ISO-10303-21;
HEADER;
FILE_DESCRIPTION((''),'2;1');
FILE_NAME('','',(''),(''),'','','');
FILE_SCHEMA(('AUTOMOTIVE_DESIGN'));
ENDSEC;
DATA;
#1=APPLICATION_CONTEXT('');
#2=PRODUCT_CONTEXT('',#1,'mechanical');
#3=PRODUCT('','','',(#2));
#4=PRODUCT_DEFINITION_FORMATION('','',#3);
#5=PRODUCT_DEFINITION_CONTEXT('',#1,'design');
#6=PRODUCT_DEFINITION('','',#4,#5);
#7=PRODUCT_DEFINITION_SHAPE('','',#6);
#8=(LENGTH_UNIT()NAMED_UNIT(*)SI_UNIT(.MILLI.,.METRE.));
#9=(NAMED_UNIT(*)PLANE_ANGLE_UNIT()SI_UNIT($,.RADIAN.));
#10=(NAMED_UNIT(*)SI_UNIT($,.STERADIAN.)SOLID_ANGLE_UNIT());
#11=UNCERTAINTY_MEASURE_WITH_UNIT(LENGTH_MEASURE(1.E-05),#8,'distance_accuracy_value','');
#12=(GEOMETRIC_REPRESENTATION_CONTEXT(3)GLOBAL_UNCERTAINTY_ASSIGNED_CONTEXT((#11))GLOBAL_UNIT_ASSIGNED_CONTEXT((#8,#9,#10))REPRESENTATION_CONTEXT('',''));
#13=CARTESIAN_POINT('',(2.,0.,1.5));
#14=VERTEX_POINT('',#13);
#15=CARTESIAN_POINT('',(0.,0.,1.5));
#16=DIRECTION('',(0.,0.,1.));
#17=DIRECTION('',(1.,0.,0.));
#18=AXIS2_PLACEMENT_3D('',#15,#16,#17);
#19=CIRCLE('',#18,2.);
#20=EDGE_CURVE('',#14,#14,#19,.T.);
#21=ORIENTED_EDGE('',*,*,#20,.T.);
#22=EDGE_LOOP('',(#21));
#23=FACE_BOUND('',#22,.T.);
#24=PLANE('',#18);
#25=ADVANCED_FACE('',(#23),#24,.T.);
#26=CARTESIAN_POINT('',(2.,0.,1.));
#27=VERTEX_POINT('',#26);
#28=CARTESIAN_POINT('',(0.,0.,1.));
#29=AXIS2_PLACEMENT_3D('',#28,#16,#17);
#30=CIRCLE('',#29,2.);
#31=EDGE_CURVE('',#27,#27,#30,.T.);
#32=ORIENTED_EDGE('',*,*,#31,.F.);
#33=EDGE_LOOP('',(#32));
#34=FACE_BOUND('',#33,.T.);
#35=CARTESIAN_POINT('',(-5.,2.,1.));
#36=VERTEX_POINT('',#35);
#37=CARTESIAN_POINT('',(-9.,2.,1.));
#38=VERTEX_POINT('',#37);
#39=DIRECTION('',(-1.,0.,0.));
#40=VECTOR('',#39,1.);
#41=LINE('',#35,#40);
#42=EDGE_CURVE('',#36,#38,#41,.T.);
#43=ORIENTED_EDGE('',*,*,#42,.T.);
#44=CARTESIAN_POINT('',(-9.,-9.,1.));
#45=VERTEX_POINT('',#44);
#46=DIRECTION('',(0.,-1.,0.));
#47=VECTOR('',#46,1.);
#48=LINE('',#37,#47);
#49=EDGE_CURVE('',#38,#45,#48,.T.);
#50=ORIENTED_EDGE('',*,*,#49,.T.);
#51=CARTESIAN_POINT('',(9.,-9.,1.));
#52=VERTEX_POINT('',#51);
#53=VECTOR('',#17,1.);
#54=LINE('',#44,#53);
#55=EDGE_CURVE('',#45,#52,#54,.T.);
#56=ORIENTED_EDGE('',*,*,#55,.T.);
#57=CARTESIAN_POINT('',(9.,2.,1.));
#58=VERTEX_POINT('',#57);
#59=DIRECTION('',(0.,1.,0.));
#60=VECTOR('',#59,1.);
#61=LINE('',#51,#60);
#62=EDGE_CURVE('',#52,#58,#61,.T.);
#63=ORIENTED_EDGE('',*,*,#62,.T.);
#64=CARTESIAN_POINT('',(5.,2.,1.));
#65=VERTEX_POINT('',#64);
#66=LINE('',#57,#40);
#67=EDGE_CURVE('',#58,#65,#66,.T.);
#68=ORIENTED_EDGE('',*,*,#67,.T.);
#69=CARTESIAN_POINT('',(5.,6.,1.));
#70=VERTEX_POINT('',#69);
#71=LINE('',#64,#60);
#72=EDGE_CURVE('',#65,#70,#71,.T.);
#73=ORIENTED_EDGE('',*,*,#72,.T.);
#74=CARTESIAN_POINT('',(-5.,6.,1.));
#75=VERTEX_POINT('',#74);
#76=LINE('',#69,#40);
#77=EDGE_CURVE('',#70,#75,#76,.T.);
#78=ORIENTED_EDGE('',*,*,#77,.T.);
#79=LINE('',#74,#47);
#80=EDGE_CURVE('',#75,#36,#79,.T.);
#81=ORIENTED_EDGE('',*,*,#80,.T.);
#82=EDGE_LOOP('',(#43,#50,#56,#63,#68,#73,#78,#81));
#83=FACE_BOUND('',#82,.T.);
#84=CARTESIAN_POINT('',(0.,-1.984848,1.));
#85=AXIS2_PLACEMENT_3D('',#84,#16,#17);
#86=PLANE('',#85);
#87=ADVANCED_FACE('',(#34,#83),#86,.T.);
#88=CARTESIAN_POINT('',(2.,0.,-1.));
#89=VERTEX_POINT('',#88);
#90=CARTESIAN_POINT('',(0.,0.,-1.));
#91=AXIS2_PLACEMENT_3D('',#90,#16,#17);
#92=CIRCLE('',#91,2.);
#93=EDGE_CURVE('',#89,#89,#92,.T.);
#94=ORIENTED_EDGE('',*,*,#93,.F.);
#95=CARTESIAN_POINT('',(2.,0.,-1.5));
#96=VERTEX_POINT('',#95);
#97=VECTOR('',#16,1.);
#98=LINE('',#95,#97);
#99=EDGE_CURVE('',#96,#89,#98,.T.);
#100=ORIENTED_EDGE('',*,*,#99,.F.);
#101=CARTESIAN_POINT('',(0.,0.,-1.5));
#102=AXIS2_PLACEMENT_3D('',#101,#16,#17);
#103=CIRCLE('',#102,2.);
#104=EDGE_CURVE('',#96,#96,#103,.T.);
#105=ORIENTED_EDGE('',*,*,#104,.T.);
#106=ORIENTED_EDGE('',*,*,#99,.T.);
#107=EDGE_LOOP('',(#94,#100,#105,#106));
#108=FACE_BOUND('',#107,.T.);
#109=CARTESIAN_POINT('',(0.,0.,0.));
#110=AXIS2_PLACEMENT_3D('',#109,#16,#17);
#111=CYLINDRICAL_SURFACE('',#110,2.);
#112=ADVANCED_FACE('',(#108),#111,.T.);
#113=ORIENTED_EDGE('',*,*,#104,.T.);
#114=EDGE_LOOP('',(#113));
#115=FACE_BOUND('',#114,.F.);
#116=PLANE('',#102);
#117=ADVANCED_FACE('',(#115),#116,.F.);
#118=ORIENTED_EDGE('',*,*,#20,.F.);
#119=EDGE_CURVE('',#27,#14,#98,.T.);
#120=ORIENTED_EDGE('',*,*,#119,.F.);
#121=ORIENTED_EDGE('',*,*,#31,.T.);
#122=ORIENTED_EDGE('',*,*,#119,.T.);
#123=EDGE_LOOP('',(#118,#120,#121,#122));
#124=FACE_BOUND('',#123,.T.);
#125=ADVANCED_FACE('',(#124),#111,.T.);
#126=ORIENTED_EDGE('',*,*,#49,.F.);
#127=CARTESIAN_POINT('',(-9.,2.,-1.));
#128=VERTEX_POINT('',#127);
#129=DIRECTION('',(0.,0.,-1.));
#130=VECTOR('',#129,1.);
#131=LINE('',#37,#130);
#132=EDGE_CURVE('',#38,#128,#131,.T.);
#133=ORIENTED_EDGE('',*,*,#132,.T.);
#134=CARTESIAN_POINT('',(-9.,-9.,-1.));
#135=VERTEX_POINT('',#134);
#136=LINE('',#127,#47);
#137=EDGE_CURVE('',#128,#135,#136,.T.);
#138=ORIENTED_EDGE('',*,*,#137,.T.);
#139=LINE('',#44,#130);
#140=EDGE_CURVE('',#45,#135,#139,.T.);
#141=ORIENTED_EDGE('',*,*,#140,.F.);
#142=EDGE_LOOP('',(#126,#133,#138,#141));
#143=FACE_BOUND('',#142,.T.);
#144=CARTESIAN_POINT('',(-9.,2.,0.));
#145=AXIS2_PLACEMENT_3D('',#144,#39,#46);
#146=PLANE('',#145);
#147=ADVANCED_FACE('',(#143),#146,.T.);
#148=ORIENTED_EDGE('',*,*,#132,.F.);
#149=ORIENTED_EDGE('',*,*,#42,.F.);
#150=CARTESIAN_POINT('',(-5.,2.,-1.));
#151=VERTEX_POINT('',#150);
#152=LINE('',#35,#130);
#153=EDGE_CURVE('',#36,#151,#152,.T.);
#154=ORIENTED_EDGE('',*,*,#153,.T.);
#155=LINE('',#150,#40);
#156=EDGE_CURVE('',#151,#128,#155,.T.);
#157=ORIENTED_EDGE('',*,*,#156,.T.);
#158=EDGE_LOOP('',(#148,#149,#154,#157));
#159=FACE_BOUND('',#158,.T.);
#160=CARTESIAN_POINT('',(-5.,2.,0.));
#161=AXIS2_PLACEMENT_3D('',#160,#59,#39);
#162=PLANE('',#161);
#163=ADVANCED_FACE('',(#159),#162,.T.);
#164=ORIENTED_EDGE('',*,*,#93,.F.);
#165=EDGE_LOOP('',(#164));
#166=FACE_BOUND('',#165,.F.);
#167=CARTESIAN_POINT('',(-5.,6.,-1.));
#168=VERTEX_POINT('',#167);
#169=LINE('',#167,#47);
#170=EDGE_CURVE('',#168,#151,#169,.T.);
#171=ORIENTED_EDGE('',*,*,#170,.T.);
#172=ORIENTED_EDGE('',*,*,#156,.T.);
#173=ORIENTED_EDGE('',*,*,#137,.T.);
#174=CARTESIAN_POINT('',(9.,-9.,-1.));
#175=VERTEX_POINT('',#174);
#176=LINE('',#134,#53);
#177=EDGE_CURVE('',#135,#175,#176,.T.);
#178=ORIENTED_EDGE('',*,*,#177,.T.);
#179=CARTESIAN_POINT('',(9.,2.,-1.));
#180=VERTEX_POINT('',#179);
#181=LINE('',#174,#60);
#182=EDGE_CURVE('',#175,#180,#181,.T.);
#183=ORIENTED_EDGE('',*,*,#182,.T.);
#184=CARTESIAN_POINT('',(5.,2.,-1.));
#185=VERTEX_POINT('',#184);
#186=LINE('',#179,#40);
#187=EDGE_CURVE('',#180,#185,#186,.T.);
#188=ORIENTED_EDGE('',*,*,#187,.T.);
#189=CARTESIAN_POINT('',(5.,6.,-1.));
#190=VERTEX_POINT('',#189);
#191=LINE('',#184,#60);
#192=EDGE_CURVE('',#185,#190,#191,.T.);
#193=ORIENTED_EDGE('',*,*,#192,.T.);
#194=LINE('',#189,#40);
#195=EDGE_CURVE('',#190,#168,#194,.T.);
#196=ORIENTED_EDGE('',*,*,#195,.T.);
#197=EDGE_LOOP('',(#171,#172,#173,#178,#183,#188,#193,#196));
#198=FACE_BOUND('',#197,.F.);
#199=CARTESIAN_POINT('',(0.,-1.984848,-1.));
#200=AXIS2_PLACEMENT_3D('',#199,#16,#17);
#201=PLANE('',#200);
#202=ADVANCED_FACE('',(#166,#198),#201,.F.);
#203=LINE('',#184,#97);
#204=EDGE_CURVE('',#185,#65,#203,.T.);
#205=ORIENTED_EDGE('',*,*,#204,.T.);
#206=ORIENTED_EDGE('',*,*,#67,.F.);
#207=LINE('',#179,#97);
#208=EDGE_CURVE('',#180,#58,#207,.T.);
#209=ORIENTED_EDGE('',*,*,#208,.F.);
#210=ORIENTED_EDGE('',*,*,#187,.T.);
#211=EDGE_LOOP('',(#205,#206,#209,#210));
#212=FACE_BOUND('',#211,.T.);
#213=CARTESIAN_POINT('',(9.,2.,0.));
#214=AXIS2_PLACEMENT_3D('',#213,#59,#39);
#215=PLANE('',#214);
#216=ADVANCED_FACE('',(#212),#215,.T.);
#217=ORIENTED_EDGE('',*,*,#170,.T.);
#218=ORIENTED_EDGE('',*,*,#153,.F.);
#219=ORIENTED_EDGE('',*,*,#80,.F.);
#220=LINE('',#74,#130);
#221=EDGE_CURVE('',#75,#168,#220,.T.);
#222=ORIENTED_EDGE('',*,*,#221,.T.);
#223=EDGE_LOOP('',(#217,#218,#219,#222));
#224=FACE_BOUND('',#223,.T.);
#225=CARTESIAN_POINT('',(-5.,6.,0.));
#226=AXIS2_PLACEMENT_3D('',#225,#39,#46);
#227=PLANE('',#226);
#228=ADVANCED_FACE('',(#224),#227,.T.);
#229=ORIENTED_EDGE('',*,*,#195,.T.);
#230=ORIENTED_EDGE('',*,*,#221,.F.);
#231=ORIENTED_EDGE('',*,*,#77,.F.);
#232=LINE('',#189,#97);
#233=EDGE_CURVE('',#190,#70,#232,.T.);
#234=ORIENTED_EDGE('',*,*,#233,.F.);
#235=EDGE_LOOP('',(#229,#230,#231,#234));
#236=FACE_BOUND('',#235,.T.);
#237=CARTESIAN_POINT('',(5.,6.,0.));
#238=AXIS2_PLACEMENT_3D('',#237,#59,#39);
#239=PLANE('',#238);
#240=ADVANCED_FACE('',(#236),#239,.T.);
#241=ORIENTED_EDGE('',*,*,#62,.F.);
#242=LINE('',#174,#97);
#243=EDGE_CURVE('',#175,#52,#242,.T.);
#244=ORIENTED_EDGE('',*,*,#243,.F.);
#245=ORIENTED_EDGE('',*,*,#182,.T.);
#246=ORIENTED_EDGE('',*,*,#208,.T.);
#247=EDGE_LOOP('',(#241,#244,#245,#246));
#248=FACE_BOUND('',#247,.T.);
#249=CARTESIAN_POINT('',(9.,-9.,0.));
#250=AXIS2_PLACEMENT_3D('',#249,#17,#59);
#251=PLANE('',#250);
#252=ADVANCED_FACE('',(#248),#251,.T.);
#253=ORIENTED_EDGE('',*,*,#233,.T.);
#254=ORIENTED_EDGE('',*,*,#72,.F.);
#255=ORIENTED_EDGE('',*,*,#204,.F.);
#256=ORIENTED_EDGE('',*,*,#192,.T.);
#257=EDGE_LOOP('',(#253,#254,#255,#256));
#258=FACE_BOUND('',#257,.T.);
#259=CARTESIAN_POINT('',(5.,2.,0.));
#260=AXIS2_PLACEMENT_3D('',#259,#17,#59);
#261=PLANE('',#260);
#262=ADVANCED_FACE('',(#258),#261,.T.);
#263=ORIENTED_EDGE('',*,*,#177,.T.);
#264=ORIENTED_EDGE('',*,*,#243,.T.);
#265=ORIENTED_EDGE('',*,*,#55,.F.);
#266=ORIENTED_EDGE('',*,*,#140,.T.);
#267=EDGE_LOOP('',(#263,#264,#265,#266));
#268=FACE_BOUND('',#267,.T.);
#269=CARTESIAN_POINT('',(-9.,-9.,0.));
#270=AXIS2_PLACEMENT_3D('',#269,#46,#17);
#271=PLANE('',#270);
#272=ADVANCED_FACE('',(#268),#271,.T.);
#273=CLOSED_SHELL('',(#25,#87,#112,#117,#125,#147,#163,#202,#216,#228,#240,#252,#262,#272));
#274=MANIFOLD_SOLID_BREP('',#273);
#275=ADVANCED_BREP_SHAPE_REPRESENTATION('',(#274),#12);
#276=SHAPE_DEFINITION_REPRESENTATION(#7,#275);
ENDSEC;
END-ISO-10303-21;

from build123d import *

# Parameters (mm, degrees)
F0_R     = 2
F1_DEPTH = 1
F2_DEPTH = 1.5


with BuildPart() as f1:
    # F0 (on Top) → F1 (new body, symmetric)
    with BuildSketch(Plane.XY):
        Polygon((-9, -9), (9, -9), (9, 2), (5, 2), (5, 6), (-5, 6), (-5, 2), (-9, 2), align=None)
        Circle(F0_R, mode=Mode.SUBTRACT)
    extrude(amount=F1_DEPTH, both=True)

    # F0 (on Top) → F2 (join, symmetric)
    with BuildSketch(Plane.XY):
        Circle(F0_R)
    extrude(amount=F2_DEPTH, both=True)


solid = f1.part
